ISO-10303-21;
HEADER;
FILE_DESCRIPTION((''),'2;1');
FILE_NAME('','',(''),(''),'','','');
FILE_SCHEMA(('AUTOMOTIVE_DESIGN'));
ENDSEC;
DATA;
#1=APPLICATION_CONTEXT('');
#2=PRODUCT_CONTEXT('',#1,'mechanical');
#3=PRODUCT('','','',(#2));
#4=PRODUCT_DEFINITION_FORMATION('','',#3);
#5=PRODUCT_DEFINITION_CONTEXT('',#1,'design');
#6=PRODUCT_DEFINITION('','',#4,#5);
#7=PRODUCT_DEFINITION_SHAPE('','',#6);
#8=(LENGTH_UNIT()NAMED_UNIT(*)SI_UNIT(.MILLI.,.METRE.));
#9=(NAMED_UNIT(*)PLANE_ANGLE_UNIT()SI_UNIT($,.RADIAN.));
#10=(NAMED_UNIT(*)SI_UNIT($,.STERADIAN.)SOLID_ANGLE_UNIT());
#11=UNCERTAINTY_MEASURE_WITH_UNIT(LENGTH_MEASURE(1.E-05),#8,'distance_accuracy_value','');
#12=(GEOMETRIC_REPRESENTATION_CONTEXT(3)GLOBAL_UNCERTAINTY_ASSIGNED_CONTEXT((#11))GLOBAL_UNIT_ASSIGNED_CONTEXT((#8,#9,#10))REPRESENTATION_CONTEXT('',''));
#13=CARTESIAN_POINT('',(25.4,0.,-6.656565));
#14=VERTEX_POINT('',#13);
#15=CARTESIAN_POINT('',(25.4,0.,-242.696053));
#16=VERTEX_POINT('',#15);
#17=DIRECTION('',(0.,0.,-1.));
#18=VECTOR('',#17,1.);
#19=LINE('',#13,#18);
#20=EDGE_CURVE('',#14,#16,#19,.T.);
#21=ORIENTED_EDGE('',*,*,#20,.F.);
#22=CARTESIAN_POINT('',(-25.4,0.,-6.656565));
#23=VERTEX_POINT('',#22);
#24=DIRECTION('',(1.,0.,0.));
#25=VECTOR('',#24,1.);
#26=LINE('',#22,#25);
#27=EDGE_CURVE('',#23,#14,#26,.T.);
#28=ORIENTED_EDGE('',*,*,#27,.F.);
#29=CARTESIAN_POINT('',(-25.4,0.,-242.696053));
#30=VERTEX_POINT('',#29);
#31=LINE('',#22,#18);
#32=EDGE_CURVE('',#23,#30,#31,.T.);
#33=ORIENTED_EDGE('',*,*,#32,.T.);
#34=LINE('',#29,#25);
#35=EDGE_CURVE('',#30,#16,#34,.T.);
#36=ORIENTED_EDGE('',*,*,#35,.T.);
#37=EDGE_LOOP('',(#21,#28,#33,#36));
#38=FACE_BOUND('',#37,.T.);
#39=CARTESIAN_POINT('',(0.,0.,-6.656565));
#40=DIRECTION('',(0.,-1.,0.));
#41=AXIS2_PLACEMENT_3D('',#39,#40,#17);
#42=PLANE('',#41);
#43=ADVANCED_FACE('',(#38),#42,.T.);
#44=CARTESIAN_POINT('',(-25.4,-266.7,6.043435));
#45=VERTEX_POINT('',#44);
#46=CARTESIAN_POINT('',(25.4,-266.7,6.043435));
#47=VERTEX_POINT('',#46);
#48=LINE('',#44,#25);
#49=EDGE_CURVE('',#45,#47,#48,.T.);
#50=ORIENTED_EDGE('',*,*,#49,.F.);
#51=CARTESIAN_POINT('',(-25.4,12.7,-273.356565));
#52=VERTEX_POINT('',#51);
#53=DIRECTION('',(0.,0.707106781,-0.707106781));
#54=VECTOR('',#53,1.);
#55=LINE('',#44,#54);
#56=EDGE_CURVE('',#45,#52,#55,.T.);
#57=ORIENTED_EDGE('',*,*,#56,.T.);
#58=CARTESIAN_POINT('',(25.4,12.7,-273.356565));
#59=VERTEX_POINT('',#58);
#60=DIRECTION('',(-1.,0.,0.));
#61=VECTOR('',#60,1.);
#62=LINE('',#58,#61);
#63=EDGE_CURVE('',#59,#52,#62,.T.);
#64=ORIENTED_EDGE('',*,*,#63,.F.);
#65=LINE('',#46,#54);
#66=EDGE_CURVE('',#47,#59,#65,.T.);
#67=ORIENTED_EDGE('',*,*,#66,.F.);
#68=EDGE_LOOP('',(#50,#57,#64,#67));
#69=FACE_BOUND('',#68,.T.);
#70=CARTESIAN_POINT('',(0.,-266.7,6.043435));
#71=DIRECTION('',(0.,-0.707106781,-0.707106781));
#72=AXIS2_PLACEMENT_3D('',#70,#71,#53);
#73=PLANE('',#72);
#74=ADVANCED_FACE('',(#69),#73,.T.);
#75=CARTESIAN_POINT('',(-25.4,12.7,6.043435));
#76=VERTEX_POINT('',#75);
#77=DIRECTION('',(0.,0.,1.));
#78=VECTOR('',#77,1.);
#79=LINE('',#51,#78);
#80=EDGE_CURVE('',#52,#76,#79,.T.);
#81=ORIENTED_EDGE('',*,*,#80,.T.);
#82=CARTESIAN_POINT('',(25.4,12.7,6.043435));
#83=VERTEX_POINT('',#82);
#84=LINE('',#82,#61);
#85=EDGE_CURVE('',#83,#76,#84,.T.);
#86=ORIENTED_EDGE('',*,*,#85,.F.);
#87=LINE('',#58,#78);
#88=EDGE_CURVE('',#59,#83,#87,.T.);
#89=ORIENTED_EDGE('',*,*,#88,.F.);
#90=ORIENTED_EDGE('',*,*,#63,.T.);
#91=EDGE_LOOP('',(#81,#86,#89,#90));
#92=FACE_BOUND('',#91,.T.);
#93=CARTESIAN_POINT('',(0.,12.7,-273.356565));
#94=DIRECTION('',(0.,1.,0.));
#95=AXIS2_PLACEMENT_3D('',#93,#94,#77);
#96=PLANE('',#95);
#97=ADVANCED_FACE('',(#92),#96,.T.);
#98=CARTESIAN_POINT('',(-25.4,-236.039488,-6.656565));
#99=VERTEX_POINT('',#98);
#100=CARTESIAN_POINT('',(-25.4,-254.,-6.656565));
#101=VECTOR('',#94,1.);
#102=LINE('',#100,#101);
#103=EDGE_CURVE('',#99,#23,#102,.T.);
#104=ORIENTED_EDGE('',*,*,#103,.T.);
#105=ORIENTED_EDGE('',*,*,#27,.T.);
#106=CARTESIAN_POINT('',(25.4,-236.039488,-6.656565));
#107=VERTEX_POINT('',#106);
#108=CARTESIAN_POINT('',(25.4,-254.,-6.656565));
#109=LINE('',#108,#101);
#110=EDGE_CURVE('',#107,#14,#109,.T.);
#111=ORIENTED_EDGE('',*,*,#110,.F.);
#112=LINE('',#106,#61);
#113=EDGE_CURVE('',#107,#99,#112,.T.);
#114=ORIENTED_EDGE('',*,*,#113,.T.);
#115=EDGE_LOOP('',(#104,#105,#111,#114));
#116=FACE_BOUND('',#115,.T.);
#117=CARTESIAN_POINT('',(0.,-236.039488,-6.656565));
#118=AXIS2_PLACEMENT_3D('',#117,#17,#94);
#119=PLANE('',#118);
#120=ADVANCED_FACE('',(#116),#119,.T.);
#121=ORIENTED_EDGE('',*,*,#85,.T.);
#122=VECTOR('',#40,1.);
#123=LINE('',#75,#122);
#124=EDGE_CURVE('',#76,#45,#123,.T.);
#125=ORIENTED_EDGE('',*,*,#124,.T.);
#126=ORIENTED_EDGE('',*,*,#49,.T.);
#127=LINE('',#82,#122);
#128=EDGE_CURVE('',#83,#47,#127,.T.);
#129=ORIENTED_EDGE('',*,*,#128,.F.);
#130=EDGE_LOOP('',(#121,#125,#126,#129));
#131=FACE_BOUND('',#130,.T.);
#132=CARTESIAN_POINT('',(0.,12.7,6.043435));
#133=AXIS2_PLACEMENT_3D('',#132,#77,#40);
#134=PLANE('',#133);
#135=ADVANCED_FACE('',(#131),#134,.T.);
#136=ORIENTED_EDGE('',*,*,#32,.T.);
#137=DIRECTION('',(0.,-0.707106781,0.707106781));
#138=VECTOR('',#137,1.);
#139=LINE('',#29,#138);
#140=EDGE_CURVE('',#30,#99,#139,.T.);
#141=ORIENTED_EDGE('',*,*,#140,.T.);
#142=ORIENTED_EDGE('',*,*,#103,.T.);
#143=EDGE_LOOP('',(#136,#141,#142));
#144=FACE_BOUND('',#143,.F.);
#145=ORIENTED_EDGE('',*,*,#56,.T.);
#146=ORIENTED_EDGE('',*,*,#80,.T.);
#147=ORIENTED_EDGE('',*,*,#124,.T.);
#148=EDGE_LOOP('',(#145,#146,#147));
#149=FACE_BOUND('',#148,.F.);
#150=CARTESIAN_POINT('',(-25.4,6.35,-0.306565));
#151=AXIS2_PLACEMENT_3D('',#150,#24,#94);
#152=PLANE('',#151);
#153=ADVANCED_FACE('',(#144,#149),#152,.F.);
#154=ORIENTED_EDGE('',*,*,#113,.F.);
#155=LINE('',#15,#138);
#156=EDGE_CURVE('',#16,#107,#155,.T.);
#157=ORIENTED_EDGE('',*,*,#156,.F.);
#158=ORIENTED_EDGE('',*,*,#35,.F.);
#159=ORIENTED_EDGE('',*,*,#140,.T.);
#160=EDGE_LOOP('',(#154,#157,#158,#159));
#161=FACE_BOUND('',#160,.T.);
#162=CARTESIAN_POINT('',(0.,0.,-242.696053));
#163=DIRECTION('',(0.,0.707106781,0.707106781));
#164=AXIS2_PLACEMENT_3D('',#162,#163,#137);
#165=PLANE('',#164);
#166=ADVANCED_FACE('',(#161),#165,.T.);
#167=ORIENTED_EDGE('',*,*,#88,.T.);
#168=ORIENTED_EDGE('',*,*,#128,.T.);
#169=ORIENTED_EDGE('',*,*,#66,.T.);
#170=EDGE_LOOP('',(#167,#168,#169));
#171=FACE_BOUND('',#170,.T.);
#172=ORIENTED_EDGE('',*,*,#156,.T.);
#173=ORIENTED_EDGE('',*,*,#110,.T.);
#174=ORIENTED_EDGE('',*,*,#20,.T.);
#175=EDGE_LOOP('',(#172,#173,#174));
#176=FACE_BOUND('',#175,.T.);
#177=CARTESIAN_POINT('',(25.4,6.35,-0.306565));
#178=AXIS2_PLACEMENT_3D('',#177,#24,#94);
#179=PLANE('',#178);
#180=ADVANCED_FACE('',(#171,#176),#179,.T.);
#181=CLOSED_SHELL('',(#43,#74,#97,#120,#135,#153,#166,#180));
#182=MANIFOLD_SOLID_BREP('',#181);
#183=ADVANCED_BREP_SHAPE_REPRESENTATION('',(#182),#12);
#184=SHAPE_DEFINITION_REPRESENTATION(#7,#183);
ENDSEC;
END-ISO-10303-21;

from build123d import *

# Parameters (mm, degrees)
F0_W          = 12.7
F0_H          = 12.7
F1_DEPTH      = 25.4
F1_DEPTH_BACK = 25.4
F2_DEPTH      = 25.4


with BuildPart() as f1:
    # F0 (on Right) → F1 (new body, two sides)
    with BuildSketch(Plane.YZ) as f1_sk:
        with Locations((6.35, -0.3065654278)):
            Rectangle(F0_W, F0_H)
        Polygon((0, -6.6565654278), (0, 6.0434345722), (-254, 6.0434345722), (-254, -6.6565654278), (-236.0394877579, -6.6565654278), align=None)
        Polygon((12.7, -6.6565654278), (0, -6.6565654278), (0, -242.6960531856), (0, -260.1933913213), (12.7, -260.6565654278), align=None)
        Polygon((-254, -6.6565654278), (-254, 6.0434345722), (-266.7, 6.0434345722), align=None)
        Polygon((0, -260.1933913213), (0, -242.6960531856), (-236.0394877579, -6.6565654278), (-254, -6.6565654278), (-0.4807056342, -260.1758597936), align=None)
        Polygon((12.7, -273.3565654278), (12.7, -260.6565654278), (0, -260.6565654278), align=None)
        Polygon((0, -260.6565654278), (12.7, -260.6565654278), (0, -260.1933913213), align=None)
        Polygon((0, -260.6565654278), (0, -260.1933913213), (-0.4807056342, -260.1758597936), align=None)
    extrude(amount=F1_DEPTH)
    extrude(f1_sk.sketch, amount=-F1_DEPTH_BACK)

    # F0 (on Right) → F2 (join)
    with BuildSketch(Plane.YZ):
        with Locations((6.35, -0.3065654278)):
            Rectangle(F0_W, F0_H)
        Polygon((0, -6.6565654278), (0, 6.0434345722), (-254, 6.0434345722), (-254, -6.6565654278), (-236.0394877579, -6.6565654278), align=None)
        Polygon((12.7, -6.6565654278), (0, -6.6565654278), (0, -242.6960531856), (0, -260.1933913213), (12.7, -260.6565654278), align=None)
        Polygon((-254, -6.6565654278), (-254, 6.0434345722), (-266.7, 6.0434345722), align=None)
        Polygon((0, -260.1933913213), (0, -242.6960531856), (-236.0394877579, -6.6565654278), (-254, -6.6565654278), (-0.4807056342, -260.1758597936), align=None)
        Polygon((12.7, -273.3565654278), (12.7, -260.6565654278), (0, -260.6565654278), align=None)
        Polygon((0, -260.6565654278), (12.7, -260.6565654278), (0, -260.1933913213), align=None)
        Polygon((0, -260.6565654278), (0, -260.1933913213), (-0.4807056342, -260.1758597936), align=None)
    extrude(amount=F2_DEPTH)


solid = f1.part
